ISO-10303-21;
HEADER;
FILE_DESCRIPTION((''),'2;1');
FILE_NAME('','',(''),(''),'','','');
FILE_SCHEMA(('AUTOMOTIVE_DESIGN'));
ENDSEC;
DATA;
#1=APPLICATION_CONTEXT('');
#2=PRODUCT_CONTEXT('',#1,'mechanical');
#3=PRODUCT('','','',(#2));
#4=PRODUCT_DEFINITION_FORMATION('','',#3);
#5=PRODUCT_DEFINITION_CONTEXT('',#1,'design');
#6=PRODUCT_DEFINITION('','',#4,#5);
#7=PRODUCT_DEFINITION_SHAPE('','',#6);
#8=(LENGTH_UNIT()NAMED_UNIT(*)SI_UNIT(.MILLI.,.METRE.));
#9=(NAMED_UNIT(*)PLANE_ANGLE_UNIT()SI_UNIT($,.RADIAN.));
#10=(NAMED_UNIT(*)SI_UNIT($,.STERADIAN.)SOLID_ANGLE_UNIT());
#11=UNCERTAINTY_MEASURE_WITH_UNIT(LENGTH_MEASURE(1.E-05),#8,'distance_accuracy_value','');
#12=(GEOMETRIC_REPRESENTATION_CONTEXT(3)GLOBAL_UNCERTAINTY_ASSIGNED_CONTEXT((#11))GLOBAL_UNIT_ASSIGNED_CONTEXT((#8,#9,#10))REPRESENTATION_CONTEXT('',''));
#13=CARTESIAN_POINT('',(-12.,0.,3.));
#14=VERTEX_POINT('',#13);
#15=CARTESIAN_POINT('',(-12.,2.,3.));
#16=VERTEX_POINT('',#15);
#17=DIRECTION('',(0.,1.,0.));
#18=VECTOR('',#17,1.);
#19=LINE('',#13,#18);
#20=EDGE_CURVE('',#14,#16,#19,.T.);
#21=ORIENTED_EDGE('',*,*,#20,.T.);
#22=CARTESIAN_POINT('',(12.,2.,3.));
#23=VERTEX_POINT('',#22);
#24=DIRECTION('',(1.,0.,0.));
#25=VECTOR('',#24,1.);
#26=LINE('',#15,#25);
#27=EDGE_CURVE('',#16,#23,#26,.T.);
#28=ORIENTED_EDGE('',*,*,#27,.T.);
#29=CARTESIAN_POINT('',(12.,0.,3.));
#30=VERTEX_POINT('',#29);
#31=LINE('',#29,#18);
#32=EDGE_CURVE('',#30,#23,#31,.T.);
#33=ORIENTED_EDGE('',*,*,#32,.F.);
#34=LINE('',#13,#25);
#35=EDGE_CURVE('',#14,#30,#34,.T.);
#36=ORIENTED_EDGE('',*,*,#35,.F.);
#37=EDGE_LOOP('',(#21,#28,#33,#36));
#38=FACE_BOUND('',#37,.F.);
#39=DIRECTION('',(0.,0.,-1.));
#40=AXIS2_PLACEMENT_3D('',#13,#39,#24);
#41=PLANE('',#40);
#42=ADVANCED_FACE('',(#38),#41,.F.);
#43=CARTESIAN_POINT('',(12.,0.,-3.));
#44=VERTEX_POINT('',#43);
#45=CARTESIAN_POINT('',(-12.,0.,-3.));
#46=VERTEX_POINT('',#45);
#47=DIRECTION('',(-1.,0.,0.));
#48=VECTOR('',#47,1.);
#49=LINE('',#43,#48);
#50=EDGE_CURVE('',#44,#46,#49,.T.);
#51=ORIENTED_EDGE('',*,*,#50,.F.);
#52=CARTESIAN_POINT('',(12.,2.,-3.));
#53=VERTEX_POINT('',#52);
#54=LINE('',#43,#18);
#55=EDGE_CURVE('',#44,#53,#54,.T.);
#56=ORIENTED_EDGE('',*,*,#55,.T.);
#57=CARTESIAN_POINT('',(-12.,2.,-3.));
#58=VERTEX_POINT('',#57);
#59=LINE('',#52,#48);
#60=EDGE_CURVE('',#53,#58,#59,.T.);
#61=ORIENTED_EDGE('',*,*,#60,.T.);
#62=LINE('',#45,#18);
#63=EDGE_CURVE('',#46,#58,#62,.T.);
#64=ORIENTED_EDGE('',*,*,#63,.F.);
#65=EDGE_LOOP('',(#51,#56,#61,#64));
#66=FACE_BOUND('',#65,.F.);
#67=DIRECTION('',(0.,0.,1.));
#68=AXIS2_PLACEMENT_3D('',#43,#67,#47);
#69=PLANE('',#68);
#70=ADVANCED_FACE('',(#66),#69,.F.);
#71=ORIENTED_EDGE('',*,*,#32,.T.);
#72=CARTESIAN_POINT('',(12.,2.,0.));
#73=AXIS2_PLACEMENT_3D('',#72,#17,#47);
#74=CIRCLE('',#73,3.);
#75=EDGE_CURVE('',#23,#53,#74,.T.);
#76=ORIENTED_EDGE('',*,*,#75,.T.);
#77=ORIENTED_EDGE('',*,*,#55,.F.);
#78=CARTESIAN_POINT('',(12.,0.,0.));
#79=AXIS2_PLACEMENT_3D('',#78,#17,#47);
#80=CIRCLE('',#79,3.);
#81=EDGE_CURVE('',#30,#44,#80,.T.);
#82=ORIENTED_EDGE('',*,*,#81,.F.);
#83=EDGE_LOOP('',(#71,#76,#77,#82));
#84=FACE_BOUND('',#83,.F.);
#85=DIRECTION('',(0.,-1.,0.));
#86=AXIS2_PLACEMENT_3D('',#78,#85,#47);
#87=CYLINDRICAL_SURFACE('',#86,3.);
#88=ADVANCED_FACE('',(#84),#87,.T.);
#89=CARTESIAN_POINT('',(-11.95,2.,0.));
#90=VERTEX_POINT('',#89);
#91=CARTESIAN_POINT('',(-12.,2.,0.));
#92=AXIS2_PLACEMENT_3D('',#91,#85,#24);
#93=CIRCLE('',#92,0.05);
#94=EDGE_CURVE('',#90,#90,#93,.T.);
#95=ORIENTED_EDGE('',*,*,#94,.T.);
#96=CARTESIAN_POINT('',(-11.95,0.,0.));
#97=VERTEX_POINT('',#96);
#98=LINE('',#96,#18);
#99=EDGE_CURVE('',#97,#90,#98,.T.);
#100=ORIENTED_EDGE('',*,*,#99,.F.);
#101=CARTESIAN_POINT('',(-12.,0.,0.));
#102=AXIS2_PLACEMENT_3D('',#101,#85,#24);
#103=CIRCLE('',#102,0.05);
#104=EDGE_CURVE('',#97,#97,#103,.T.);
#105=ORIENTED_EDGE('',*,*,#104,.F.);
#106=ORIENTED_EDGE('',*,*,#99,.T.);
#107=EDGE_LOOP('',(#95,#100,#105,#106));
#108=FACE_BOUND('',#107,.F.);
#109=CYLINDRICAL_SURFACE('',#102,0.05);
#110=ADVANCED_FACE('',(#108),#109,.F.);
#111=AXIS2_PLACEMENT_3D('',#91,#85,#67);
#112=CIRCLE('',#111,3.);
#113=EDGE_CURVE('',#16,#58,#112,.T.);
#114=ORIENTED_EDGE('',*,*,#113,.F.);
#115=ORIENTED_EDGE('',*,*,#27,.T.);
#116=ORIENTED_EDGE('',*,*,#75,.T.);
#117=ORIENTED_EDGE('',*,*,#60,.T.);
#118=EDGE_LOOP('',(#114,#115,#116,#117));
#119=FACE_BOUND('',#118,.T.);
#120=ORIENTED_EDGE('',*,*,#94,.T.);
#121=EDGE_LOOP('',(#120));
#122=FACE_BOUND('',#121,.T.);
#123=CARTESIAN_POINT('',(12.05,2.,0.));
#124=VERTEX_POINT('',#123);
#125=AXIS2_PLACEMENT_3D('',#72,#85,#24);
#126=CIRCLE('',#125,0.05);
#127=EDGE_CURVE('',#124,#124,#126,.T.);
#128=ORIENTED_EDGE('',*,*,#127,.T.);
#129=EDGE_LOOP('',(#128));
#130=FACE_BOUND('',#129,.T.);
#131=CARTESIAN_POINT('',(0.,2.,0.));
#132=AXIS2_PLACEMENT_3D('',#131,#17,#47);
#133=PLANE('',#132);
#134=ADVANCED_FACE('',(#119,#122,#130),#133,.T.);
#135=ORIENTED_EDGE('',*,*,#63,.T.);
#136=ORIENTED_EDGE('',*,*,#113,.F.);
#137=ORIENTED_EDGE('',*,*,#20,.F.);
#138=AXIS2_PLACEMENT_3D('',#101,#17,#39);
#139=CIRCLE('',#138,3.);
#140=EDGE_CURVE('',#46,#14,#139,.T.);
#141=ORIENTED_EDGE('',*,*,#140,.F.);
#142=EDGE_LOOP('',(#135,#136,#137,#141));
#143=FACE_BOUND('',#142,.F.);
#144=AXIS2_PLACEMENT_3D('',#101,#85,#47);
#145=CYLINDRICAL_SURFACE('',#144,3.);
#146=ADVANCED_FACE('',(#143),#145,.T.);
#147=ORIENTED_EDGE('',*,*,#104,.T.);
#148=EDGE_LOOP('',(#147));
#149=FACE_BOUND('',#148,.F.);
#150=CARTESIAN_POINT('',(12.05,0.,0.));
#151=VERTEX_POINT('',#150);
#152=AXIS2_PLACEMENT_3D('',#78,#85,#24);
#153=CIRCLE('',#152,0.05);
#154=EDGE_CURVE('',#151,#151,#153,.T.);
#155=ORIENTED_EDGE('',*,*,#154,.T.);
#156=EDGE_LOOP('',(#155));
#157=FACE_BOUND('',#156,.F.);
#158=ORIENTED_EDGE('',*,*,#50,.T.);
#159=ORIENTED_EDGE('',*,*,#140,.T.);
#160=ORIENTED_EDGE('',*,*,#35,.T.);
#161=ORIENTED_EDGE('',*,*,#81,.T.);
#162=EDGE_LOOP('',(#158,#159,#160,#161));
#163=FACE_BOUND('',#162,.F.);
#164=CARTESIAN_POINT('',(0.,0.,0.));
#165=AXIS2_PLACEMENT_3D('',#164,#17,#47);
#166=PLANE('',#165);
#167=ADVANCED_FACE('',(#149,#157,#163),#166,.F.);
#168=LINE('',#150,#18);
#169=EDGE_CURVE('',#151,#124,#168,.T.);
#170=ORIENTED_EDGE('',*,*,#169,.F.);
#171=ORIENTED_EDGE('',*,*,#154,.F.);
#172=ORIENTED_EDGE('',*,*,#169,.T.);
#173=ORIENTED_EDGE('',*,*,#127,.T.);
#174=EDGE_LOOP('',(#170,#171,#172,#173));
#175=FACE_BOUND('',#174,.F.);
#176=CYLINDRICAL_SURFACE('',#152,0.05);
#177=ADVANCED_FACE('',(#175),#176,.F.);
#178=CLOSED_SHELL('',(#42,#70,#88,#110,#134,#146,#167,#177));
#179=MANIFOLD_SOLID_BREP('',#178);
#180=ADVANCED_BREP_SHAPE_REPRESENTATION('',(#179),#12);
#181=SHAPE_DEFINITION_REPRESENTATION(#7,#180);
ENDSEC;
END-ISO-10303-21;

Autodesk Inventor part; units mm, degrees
ref_plane "YZ Plane" through (0, 0, 0) normal (1, 0, 0) x (0, 1, 0)
ref_plane "XZ Plane" through (0, 0, 0) normal (0, 1, 0) x (-1, 0, 0)
ref_plane "XY Plane" through (0, 0, 0) normal (0, 0, 1) x (1, 0, 0)
sketch "Sketch1" plane through (0, 0, 0) normal (0, 1, 0) x (-1, 0, 0)
  line L0 (-12, -3) -> (12, -3)
  line L1 (12, -3) -> (12, 3)
  line L2 (12, 3) -> (-12, 3)
  line L3 (-12, 3) -> (-12, -3)
  line L4 (-12, -3) -> (12, 3) construction
  line L5 (12, -3) -> (-12, 3) construction
  circle A0 centre (12, 0) radius 3
  circle A1 centre (-12, 0) radius 3
  point P0 (0, 0)
  dimension "d0" = 24
  dimension "d1" = 6
  dimension "d2" = 6
  dimension "d3" = 6
extrude "Extrusion1" add sketch "Sketch1" along normal blind 2
sketch "Sketch2" plane through (0, 2, 0) normal (0, 1, 0) x (1, 0, 0)
  arc A0 (12, -3) -> (12, 3) centre (12, 0) ccw projected
  arc A1 (-12, 3) -> (-12, -3) centre (-12, 0) ccw projected
  circle A2 centre (-12, 0) radius 1
  circle A3 centre (12, 0) radius 1.5
  circle A4 centre (-12, 0) radius 1.5
  point P0 (0, 0)
  dimension "d6" = 2
  dimension "d7" = 3
  dimension "d8" = 3
extrude "Extrusion2" cut sketch "Sketch2" against normal blind 2 contours A2 | A3 | A4
sketch "Sketch3" plane through (0, 0, 0) normal (0, -1, 0) x (1, 0, 0)
  circle A0 centre (12, 0) radius 1.5 projected
  circle A1 centre (-12, 0) radius 1.5 projected
  arc A2 (12, -3) -> (12, 3) centre (12, 0) ccw projected
  arc A3 (-12, 3) -> (-12, -3) centre (-12, 0) ccw projected
  circle A4 centre (-12, 0) radius 0.005
  circle A5 centre (12, 0) radius 0.005
  point P0 (0, 0)
  dimension "d11" = 0.01
  dimension "d12" = 0.01
extrude "Extrusion3" add sketch "Sketch3" against normal blind 2
sketch "Sketch4" plane through (0, 0, 0) normal (0, -1, 0) x (1, 0, 0)
  arc A0 (12, -3) -> (12, 3) centre (12, 0) ccw projected
  arc A1 (-12, 3) -> (-12, -3) centre (-12, 0) ccw projected
  circle A2 centre (-12, 0) radius 0.05
  circle A3 centre (12, 0) radius 0.05
  point P0 (0, 0)
  dimension "d15" = 0.1
  dimension "d16" = 0.1
extrude "Extrusion4" cut sketch "Sketch4" against normal blind 2
properties part number "tahlo5_sablona"
